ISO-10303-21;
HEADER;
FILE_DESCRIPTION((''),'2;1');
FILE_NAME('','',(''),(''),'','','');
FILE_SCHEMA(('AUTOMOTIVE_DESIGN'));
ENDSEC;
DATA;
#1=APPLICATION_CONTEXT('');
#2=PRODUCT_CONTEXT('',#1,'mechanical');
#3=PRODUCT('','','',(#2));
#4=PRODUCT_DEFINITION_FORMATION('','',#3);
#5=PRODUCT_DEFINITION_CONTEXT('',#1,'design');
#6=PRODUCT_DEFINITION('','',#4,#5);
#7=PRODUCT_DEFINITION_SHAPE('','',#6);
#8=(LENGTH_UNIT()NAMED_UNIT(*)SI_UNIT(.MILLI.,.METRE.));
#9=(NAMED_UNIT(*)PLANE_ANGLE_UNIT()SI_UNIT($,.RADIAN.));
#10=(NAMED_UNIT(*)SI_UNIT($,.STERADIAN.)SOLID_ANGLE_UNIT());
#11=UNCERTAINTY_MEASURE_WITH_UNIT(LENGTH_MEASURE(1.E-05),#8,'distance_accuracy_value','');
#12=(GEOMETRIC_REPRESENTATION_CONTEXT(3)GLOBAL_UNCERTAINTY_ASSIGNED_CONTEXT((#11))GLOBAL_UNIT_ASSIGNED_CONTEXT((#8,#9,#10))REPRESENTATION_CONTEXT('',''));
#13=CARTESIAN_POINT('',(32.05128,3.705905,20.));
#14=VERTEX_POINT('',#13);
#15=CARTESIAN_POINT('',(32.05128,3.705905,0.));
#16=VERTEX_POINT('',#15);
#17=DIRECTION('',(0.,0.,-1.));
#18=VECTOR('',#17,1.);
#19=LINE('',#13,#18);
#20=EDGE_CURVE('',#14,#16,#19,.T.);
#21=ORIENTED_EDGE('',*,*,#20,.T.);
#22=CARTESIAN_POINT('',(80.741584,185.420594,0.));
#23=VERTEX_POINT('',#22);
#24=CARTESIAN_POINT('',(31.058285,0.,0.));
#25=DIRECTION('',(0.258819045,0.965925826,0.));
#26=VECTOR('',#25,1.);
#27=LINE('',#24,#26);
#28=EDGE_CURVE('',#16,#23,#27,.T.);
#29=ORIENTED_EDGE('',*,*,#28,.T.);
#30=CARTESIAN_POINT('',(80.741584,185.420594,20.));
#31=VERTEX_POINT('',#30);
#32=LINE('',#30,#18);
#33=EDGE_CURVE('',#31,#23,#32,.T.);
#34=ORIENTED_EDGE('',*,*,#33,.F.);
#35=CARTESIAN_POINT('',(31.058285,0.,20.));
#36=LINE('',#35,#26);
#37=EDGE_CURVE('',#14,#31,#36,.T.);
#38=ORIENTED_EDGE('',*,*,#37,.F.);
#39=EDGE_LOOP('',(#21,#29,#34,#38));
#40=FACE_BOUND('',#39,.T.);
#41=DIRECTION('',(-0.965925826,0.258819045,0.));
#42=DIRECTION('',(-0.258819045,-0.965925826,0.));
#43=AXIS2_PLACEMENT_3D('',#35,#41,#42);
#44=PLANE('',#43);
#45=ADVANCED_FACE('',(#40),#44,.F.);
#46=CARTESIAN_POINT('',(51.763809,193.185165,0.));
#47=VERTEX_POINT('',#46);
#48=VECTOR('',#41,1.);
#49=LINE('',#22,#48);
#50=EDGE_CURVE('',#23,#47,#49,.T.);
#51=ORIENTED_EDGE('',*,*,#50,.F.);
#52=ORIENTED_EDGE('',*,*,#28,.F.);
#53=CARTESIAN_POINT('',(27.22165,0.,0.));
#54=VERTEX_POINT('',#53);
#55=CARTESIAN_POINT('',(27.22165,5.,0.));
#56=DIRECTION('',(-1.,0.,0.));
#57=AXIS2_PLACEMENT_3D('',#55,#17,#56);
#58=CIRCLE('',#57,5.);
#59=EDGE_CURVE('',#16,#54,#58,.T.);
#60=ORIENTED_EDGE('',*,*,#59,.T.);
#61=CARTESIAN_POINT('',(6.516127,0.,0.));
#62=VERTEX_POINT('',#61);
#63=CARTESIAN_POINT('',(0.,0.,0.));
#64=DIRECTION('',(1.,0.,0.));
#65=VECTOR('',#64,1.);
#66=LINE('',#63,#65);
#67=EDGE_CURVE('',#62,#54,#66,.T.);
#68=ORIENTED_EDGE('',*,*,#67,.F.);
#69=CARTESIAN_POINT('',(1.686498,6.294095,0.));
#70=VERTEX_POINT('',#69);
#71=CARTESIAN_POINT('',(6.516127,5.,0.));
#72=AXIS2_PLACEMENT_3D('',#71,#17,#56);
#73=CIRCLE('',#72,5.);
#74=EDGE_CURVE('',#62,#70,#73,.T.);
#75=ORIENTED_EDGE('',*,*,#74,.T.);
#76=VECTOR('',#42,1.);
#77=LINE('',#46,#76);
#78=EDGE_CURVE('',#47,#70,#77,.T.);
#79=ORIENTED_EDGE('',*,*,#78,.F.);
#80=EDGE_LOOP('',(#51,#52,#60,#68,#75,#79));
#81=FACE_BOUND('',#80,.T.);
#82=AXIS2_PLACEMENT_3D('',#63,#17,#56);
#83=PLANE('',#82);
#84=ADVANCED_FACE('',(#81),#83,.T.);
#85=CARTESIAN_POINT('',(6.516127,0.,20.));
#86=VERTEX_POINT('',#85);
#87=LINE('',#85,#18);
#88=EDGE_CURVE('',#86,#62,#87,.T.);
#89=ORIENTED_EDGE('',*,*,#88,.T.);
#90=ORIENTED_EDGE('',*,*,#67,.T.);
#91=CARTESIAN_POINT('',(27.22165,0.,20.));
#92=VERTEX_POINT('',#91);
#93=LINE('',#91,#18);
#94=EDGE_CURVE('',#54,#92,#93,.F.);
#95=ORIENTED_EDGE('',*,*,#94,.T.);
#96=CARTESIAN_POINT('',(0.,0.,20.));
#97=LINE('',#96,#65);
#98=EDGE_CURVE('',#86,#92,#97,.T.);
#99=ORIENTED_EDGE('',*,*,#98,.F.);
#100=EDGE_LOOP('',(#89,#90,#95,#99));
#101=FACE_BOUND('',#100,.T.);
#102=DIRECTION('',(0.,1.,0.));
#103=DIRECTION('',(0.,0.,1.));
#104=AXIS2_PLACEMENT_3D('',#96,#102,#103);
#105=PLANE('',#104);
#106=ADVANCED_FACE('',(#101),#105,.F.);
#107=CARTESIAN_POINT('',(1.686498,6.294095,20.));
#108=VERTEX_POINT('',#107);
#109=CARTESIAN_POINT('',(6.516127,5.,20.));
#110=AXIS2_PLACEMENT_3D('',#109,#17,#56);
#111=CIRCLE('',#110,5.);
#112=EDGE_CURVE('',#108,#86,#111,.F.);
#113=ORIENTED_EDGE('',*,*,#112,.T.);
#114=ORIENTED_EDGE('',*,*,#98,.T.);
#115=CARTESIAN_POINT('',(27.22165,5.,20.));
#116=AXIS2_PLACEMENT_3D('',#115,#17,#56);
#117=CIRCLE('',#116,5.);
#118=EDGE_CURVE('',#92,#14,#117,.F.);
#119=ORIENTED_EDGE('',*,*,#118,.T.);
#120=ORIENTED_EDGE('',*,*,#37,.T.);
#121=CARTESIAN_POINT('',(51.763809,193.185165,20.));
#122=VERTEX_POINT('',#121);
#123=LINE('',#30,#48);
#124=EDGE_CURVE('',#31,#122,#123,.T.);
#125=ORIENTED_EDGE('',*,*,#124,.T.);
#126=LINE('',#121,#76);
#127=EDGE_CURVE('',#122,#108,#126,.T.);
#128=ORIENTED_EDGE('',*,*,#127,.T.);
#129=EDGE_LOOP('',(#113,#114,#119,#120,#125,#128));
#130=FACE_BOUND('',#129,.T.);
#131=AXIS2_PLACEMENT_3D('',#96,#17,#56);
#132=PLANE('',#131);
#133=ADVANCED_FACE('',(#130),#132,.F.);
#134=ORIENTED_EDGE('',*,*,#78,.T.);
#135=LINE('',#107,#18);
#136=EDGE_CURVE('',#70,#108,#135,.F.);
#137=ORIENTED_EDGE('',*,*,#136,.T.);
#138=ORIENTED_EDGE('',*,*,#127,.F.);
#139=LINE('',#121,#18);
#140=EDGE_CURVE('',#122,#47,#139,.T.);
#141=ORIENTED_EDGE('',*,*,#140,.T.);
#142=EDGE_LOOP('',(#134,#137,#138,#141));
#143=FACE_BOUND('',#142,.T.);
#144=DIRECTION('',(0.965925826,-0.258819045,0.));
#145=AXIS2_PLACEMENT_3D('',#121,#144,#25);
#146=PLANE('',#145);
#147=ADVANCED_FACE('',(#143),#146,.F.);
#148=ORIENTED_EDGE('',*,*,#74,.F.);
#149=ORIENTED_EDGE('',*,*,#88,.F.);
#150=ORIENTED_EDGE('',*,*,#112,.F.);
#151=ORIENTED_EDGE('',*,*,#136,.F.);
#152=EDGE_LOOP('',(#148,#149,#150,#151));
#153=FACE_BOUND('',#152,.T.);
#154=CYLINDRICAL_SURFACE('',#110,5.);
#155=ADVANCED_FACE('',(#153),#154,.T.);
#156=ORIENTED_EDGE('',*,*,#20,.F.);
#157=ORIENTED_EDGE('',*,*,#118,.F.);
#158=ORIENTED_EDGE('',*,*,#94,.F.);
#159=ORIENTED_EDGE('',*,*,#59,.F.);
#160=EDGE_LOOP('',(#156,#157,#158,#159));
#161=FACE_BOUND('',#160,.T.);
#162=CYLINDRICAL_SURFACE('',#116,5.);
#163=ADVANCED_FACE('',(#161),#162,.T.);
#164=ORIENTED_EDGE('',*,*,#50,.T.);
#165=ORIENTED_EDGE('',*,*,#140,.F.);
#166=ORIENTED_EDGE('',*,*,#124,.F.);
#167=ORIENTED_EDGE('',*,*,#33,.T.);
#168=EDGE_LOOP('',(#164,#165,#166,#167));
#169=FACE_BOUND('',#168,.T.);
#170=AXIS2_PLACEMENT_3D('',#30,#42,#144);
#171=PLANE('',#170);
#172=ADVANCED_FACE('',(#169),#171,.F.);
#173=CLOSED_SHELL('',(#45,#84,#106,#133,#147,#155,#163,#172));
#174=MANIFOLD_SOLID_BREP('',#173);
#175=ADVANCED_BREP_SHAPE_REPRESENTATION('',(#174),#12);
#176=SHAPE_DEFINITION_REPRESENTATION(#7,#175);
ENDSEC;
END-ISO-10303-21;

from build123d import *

# Parameters (mm, degrees)
BOSS_EXTRU_1_DEPTH = 20
CONG_1_R           = 5


with BuildPart() as part:
    # Esquisse1 → Boss.-Extru.1 (new body)
    with BuildSketch(Plane.XY):
        Polygon((0, 0), (31.058285412, 0), (80.741583809, 185.420593905), (51.763809021, 193.185165258), align=None)
    extrude(amount=BOSS_EXTRU_1_DEPTH)

    # Congé1
    cong_1_edges = [part.edges().sort_by_distance(p)[0] for p in [
        (31.058285412, 0, 10),
        (0, 0, 10),
    ]]
    fillet(cong_1_edges, radius=CONG_1_R)


solid = part.part
